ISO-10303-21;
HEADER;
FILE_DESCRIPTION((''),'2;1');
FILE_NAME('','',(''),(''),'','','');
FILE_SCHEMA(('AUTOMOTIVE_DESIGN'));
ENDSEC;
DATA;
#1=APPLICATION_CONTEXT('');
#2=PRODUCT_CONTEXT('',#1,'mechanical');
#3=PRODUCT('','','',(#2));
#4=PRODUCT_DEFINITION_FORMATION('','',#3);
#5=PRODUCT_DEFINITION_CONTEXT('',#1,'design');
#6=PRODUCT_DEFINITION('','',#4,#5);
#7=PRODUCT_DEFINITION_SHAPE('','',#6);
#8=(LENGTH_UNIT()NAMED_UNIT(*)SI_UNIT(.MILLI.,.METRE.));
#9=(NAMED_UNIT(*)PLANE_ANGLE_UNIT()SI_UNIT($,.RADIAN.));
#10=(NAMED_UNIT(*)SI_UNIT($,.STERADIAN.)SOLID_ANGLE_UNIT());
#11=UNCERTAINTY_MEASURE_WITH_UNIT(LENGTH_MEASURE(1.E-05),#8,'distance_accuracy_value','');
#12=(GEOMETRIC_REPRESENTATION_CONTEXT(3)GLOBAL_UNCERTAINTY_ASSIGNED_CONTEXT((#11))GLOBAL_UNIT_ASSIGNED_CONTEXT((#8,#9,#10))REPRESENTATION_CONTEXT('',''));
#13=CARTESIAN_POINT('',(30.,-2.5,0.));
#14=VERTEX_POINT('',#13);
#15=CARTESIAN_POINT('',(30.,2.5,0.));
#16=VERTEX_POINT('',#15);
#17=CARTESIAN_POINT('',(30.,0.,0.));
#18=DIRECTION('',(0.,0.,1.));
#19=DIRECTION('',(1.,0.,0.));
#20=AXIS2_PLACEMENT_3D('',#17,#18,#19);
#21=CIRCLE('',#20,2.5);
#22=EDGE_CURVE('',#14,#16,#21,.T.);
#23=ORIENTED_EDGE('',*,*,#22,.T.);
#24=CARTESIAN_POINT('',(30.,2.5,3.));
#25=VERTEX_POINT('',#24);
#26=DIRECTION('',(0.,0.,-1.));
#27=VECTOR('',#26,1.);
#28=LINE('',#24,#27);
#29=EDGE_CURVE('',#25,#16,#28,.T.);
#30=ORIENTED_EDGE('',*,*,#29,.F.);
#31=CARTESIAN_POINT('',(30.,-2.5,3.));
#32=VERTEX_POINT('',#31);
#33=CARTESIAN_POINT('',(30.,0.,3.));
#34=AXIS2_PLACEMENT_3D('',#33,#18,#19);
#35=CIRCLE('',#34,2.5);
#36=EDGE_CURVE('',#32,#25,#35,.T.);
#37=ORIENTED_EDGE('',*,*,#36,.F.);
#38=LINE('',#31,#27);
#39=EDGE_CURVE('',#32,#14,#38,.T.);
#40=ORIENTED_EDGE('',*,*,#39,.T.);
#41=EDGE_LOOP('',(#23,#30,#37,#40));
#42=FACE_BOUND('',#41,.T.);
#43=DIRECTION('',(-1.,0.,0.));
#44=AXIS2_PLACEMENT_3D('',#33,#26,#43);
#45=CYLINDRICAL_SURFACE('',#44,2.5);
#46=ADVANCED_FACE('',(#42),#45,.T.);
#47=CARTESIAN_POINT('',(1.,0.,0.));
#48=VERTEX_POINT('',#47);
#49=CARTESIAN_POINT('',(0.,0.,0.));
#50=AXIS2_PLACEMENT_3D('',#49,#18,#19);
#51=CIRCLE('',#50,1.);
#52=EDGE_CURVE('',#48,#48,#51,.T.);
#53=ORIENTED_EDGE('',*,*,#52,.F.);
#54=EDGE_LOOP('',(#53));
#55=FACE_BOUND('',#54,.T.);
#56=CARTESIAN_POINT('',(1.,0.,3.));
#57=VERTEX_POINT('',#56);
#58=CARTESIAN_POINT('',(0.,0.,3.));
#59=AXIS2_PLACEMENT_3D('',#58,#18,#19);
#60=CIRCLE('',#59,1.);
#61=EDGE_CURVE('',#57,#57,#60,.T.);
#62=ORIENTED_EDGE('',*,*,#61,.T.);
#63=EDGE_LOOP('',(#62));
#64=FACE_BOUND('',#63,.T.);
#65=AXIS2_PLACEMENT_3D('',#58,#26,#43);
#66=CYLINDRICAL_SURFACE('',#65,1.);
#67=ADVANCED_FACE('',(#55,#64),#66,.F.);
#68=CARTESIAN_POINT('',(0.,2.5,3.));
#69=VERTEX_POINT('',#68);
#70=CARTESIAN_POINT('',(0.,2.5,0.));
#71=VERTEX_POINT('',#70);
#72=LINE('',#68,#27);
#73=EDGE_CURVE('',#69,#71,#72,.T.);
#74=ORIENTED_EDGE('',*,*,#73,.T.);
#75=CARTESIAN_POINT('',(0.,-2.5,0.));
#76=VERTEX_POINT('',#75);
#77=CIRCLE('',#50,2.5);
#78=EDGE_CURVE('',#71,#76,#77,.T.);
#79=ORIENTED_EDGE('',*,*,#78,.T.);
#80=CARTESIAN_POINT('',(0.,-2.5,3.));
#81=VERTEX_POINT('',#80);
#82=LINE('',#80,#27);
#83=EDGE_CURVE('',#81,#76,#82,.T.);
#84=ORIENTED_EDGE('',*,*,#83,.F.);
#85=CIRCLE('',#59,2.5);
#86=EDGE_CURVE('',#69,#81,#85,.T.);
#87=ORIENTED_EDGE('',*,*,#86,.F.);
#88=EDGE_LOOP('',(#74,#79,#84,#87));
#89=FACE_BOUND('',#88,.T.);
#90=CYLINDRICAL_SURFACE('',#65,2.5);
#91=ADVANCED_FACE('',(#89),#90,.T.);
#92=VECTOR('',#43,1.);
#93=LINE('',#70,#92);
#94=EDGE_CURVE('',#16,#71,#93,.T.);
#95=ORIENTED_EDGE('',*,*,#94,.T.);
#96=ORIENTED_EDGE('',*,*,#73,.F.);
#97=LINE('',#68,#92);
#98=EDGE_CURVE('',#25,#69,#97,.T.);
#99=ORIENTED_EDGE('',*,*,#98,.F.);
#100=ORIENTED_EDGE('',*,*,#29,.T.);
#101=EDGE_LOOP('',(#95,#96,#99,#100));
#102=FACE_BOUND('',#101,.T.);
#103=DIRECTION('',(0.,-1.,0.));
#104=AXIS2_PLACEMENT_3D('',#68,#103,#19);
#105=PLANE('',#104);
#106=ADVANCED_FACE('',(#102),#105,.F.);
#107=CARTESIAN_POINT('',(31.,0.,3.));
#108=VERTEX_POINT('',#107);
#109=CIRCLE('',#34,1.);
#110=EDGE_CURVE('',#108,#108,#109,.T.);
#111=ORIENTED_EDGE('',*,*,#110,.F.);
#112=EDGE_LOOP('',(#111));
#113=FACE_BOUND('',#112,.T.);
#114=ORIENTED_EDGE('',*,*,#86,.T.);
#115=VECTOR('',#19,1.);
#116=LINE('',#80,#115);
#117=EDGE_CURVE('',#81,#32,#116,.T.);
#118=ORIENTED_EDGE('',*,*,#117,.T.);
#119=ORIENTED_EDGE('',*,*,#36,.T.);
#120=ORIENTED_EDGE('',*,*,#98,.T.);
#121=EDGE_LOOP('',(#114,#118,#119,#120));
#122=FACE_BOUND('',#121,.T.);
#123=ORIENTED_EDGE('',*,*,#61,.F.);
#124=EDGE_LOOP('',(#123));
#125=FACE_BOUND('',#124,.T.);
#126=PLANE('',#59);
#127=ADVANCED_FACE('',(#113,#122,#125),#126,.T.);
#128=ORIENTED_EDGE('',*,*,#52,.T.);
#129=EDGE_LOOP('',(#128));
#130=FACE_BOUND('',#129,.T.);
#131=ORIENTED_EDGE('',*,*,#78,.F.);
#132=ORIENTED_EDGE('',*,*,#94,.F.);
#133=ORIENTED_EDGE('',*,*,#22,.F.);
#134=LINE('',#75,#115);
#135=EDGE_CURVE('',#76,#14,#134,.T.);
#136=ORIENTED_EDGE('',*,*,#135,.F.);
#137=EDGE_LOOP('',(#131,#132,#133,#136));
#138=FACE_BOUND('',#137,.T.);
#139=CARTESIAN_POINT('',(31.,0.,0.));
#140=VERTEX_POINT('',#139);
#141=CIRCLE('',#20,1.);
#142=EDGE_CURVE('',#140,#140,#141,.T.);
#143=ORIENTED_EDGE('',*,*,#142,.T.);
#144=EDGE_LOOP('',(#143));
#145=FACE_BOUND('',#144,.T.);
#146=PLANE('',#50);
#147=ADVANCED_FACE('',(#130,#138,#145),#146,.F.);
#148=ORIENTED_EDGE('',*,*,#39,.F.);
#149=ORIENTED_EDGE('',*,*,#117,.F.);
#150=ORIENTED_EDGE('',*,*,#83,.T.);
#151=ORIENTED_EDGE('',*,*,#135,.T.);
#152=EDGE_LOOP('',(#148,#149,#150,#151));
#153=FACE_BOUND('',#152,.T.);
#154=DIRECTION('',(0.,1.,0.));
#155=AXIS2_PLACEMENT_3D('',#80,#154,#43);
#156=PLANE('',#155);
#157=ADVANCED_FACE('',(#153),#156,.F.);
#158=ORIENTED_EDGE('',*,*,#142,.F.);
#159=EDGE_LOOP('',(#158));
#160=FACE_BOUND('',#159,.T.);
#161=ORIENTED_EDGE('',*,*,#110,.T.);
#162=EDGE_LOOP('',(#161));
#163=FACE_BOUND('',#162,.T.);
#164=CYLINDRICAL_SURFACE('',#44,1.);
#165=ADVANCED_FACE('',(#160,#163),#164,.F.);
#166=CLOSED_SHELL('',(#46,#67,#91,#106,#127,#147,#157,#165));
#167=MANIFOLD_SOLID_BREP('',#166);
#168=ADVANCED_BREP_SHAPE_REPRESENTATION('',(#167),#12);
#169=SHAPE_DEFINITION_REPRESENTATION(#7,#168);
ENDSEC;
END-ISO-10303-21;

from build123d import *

# Parameters (mm, degrees)
SKETCH_1_R      = 1
EXTRUDE_1_DEPTH = 3


with BuildPart() as part:
    # 草图1 → 凸台-拉伸1 (new body)
    with BuildSketch(Plane.XY):
        with BuildLine():
            Line((0, 2.5), (30, 2.5))
            ThreePointArc((30, 2.5), (32.5, 0), (30, -2.5))
            Line((30, -2.5), (0, -2.5))
            ThreePointArc((0, -2.5), (-2.5, 0), (0, 2.5))
        make_face()
        Circle(SKETCH_1_R, mode=Mode.SUBTRACT)
        with Locations((30, 0)):
            Circle(SKETCH_1_R, mode=Mode.SUBTRACT)
    extrude(amount=EXTRUDE_1_DEPTH)


solid = part.part
